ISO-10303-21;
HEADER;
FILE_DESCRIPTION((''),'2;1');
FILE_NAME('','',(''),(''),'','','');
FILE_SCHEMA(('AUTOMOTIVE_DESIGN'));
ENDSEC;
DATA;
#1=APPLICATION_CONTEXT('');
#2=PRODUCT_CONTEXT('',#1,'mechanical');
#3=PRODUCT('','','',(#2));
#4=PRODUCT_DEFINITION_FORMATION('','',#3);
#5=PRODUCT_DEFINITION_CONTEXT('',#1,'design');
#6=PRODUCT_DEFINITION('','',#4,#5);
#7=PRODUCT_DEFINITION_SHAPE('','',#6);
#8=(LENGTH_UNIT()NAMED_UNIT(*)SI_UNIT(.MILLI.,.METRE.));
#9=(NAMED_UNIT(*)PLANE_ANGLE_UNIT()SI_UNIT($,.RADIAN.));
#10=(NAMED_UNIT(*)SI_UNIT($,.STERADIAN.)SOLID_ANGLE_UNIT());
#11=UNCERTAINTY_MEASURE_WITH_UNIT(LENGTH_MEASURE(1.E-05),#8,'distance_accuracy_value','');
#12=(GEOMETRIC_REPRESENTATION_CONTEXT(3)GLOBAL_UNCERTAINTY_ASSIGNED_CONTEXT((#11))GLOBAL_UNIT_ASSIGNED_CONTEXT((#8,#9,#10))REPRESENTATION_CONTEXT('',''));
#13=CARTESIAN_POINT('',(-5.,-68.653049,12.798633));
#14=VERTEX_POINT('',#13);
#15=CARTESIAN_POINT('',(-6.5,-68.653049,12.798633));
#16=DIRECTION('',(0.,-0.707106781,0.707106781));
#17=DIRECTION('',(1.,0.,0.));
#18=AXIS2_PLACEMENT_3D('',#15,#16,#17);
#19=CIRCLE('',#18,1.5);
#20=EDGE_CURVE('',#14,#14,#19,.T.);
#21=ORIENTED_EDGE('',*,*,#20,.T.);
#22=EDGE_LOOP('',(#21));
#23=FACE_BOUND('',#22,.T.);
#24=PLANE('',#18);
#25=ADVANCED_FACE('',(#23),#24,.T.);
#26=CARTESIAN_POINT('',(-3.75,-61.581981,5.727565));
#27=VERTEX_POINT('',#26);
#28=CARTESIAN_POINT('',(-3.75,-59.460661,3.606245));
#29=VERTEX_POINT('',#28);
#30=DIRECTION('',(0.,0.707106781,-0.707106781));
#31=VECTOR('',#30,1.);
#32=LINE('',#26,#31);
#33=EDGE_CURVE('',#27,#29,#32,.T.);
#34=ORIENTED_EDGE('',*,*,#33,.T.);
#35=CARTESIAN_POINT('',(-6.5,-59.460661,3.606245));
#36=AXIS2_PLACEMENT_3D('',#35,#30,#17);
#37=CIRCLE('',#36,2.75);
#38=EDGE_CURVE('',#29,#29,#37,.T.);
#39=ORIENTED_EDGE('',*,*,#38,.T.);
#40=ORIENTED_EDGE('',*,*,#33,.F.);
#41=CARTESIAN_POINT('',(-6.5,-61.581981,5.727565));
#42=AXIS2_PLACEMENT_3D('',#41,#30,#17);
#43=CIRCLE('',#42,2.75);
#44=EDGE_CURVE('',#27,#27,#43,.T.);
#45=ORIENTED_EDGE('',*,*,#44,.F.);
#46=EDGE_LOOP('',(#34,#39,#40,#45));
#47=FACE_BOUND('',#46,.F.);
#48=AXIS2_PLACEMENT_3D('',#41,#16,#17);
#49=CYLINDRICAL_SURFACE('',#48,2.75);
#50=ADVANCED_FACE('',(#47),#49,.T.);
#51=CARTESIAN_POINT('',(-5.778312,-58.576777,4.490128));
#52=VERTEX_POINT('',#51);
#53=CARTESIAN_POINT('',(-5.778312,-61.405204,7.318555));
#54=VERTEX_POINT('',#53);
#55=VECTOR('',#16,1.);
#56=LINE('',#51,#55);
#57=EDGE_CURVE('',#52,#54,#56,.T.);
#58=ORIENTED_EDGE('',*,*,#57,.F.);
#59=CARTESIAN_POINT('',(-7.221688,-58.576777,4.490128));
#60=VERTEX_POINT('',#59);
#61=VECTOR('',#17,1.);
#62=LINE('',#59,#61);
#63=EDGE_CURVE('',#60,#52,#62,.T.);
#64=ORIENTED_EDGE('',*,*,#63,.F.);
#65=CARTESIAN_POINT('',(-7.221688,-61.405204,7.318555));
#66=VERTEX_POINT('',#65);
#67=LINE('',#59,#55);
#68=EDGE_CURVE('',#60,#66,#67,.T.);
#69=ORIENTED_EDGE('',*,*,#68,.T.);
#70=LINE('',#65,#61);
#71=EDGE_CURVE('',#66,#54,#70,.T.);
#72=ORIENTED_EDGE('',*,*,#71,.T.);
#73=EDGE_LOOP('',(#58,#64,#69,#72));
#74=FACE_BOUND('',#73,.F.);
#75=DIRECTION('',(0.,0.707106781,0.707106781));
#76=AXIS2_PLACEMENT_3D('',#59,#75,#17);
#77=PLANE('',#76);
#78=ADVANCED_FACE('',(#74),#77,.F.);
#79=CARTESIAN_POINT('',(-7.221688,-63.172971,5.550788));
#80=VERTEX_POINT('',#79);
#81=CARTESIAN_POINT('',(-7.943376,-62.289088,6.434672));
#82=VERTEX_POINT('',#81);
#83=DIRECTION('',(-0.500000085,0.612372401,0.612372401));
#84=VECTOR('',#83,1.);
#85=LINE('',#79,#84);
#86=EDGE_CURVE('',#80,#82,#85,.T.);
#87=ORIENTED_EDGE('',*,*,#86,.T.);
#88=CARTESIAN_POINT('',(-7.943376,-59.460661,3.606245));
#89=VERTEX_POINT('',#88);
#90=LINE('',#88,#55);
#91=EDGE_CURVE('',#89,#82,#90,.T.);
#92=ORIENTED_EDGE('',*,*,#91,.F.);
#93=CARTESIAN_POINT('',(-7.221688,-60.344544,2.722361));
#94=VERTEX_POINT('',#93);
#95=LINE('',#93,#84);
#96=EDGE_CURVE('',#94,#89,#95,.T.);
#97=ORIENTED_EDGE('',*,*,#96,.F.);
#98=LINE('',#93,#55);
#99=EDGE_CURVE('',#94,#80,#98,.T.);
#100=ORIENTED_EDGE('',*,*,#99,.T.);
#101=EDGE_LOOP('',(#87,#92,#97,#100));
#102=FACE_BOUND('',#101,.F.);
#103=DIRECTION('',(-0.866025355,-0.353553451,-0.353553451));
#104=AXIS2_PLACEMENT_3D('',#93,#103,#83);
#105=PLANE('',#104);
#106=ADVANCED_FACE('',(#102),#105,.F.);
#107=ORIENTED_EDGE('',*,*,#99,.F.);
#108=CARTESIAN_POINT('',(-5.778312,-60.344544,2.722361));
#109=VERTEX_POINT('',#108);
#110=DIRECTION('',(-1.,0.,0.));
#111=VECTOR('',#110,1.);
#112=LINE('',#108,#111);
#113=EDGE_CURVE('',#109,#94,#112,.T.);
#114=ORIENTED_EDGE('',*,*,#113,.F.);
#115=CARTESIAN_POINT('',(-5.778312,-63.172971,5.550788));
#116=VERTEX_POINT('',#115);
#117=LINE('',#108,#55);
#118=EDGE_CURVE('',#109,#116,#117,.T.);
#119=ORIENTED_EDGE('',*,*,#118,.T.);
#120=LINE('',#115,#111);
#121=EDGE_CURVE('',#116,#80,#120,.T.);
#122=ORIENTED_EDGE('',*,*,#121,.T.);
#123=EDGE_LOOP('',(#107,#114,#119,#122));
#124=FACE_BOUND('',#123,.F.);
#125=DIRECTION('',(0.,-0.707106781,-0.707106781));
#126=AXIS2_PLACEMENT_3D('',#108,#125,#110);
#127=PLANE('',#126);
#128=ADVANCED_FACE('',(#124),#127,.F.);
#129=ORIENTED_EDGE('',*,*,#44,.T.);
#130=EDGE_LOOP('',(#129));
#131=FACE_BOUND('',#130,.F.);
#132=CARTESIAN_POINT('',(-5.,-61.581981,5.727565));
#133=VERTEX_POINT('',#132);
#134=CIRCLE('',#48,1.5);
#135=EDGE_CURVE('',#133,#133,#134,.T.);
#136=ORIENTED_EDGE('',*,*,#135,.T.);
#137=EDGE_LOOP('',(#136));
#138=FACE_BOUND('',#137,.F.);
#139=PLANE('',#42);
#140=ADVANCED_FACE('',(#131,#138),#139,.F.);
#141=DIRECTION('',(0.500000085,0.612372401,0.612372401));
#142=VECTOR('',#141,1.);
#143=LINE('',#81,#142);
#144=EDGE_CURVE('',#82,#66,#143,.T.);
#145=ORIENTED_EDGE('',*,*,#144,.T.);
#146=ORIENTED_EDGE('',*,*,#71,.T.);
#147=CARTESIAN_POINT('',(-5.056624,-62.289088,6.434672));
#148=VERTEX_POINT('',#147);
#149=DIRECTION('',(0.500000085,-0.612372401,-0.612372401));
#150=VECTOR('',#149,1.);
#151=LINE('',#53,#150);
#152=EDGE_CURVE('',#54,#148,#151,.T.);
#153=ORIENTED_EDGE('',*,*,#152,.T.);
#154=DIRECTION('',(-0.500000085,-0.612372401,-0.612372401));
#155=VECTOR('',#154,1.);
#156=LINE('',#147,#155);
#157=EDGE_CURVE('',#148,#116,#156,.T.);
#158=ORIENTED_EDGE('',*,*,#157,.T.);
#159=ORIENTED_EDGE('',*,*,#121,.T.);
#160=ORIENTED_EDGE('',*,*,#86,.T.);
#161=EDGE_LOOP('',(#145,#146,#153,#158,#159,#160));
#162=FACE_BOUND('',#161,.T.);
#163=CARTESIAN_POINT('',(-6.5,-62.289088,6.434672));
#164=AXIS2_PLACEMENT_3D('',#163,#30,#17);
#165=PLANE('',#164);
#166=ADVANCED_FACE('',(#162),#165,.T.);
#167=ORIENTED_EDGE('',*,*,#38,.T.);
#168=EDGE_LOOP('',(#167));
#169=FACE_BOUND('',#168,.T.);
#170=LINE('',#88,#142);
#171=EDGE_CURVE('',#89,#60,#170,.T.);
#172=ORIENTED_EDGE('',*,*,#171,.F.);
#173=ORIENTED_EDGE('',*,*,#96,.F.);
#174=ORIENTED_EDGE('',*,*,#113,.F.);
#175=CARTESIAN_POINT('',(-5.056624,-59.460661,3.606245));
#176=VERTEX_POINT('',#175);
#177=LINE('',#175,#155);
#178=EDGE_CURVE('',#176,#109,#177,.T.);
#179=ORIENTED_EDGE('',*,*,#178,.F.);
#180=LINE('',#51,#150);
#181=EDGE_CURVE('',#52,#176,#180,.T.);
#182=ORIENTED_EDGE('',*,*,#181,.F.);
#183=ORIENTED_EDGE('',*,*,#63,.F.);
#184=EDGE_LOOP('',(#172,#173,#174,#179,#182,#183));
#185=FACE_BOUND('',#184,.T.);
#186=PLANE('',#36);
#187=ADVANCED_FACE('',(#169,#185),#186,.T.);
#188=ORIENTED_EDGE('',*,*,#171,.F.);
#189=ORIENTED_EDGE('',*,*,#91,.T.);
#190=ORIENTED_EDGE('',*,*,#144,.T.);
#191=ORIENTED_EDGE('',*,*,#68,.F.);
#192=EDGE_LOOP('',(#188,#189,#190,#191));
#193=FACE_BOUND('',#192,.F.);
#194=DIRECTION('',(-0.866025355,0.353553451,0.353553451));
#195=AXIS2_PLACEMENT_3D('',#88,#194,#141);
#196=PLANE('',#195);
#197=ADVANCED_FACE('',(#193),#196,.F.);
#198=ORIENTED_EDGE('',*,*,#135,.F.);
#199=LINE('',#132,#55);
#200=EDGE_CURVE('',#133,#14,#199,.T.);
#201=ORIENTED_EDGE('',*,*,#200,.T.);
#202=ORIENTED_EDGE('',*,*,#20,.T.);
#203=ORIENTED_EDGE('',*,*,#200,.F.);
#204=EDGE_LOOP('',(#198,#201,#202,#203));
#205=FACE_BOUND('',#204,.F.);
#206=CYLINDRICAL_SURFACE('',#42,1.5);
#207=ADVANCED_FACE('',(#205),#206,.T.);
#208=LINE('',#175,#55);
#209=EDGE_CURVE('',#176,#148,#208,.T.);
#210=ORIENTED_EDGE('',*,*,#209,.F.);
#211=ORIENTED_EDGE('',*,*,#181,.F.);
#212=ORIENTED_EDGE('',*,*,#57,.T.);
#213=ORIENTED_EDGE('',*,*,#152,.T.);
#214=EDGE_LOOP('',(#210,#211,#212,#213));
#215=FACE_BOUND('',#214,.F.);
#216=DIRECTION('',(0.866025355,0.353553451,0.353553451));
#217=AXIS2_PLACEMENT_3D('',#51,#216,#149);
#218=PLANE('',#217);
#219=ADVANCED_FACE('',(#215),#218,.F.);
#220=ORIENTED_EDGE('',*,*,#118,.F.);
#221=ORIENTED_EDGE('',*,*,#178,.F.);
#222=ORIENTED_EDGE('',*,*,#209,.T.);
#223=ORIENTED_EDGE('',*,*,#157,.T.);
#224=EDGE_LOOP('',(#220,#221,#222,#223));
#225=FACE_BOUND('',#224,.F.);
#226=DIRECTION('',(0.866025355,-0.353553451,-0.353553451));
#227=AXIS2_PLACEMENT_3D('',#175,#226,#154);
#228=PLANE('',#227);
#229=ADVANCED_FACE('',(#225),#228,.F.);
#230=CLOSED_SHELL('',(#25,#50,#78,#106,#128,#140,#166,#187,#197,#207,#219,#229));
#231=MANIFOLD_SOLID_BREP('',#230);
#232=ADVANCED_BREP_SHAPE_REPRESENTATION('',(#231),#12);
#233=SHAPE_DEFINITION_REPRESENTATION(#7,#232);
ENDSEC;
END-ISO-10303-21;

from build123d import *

# Parameters (mm, degrees)
SKETCH020_R             = 2.75
PAD008_DEPTH            = 3
SKETCH001_R             = 1.5
PAD009_DEPTH            = 10
POCKET011_DEPTH         = 4
BODY003_PLACEMENT_ANGLE = 225


with BuildPart() as part:
    # Sketch020 → Pad008 (new body)
    with BuildSketch(Plane.XY):
        Circle(SKETCH020_R)
    extrude(amount=PAD008_DEPTH)

    # Sketch001 (on Face2 of Pad008) → Pad009 (join)
    with BuildSketch(Plane(origin=(0, 0, 0), x_dir=(1, 0, 0), z_dir=(0, 0, -1))):
        Circle(SKETCH001_R)
    extrude(amount=PAD009_DEPTH)

    # Sketch021 (on DatumPlane) → Pocket011 (cut)
    with BuildSketch(Plane.XY.offset(3)):
        Polygon((0.721688, -1.25), (1.443376, 0), (0.721688, 1.25), (-0.721688, 1.25), (-1.443376, 0), (-0.721688, -1.25), align=None)
    extrude(amount=-POCKET011_DEPTH, mode=Mode.SUBTRACT)


with BuildPart() as part_1:
    # Body003 placement: moved
    add(part.part.moved(Location((-6.5, -61.581981, 5.727565))).rotate(Axis((-6.5, -61.581981, 5.727565), (1, 0, 0)), BODY003_PLACEMENT_ANGLE))


solid = part_1.part
